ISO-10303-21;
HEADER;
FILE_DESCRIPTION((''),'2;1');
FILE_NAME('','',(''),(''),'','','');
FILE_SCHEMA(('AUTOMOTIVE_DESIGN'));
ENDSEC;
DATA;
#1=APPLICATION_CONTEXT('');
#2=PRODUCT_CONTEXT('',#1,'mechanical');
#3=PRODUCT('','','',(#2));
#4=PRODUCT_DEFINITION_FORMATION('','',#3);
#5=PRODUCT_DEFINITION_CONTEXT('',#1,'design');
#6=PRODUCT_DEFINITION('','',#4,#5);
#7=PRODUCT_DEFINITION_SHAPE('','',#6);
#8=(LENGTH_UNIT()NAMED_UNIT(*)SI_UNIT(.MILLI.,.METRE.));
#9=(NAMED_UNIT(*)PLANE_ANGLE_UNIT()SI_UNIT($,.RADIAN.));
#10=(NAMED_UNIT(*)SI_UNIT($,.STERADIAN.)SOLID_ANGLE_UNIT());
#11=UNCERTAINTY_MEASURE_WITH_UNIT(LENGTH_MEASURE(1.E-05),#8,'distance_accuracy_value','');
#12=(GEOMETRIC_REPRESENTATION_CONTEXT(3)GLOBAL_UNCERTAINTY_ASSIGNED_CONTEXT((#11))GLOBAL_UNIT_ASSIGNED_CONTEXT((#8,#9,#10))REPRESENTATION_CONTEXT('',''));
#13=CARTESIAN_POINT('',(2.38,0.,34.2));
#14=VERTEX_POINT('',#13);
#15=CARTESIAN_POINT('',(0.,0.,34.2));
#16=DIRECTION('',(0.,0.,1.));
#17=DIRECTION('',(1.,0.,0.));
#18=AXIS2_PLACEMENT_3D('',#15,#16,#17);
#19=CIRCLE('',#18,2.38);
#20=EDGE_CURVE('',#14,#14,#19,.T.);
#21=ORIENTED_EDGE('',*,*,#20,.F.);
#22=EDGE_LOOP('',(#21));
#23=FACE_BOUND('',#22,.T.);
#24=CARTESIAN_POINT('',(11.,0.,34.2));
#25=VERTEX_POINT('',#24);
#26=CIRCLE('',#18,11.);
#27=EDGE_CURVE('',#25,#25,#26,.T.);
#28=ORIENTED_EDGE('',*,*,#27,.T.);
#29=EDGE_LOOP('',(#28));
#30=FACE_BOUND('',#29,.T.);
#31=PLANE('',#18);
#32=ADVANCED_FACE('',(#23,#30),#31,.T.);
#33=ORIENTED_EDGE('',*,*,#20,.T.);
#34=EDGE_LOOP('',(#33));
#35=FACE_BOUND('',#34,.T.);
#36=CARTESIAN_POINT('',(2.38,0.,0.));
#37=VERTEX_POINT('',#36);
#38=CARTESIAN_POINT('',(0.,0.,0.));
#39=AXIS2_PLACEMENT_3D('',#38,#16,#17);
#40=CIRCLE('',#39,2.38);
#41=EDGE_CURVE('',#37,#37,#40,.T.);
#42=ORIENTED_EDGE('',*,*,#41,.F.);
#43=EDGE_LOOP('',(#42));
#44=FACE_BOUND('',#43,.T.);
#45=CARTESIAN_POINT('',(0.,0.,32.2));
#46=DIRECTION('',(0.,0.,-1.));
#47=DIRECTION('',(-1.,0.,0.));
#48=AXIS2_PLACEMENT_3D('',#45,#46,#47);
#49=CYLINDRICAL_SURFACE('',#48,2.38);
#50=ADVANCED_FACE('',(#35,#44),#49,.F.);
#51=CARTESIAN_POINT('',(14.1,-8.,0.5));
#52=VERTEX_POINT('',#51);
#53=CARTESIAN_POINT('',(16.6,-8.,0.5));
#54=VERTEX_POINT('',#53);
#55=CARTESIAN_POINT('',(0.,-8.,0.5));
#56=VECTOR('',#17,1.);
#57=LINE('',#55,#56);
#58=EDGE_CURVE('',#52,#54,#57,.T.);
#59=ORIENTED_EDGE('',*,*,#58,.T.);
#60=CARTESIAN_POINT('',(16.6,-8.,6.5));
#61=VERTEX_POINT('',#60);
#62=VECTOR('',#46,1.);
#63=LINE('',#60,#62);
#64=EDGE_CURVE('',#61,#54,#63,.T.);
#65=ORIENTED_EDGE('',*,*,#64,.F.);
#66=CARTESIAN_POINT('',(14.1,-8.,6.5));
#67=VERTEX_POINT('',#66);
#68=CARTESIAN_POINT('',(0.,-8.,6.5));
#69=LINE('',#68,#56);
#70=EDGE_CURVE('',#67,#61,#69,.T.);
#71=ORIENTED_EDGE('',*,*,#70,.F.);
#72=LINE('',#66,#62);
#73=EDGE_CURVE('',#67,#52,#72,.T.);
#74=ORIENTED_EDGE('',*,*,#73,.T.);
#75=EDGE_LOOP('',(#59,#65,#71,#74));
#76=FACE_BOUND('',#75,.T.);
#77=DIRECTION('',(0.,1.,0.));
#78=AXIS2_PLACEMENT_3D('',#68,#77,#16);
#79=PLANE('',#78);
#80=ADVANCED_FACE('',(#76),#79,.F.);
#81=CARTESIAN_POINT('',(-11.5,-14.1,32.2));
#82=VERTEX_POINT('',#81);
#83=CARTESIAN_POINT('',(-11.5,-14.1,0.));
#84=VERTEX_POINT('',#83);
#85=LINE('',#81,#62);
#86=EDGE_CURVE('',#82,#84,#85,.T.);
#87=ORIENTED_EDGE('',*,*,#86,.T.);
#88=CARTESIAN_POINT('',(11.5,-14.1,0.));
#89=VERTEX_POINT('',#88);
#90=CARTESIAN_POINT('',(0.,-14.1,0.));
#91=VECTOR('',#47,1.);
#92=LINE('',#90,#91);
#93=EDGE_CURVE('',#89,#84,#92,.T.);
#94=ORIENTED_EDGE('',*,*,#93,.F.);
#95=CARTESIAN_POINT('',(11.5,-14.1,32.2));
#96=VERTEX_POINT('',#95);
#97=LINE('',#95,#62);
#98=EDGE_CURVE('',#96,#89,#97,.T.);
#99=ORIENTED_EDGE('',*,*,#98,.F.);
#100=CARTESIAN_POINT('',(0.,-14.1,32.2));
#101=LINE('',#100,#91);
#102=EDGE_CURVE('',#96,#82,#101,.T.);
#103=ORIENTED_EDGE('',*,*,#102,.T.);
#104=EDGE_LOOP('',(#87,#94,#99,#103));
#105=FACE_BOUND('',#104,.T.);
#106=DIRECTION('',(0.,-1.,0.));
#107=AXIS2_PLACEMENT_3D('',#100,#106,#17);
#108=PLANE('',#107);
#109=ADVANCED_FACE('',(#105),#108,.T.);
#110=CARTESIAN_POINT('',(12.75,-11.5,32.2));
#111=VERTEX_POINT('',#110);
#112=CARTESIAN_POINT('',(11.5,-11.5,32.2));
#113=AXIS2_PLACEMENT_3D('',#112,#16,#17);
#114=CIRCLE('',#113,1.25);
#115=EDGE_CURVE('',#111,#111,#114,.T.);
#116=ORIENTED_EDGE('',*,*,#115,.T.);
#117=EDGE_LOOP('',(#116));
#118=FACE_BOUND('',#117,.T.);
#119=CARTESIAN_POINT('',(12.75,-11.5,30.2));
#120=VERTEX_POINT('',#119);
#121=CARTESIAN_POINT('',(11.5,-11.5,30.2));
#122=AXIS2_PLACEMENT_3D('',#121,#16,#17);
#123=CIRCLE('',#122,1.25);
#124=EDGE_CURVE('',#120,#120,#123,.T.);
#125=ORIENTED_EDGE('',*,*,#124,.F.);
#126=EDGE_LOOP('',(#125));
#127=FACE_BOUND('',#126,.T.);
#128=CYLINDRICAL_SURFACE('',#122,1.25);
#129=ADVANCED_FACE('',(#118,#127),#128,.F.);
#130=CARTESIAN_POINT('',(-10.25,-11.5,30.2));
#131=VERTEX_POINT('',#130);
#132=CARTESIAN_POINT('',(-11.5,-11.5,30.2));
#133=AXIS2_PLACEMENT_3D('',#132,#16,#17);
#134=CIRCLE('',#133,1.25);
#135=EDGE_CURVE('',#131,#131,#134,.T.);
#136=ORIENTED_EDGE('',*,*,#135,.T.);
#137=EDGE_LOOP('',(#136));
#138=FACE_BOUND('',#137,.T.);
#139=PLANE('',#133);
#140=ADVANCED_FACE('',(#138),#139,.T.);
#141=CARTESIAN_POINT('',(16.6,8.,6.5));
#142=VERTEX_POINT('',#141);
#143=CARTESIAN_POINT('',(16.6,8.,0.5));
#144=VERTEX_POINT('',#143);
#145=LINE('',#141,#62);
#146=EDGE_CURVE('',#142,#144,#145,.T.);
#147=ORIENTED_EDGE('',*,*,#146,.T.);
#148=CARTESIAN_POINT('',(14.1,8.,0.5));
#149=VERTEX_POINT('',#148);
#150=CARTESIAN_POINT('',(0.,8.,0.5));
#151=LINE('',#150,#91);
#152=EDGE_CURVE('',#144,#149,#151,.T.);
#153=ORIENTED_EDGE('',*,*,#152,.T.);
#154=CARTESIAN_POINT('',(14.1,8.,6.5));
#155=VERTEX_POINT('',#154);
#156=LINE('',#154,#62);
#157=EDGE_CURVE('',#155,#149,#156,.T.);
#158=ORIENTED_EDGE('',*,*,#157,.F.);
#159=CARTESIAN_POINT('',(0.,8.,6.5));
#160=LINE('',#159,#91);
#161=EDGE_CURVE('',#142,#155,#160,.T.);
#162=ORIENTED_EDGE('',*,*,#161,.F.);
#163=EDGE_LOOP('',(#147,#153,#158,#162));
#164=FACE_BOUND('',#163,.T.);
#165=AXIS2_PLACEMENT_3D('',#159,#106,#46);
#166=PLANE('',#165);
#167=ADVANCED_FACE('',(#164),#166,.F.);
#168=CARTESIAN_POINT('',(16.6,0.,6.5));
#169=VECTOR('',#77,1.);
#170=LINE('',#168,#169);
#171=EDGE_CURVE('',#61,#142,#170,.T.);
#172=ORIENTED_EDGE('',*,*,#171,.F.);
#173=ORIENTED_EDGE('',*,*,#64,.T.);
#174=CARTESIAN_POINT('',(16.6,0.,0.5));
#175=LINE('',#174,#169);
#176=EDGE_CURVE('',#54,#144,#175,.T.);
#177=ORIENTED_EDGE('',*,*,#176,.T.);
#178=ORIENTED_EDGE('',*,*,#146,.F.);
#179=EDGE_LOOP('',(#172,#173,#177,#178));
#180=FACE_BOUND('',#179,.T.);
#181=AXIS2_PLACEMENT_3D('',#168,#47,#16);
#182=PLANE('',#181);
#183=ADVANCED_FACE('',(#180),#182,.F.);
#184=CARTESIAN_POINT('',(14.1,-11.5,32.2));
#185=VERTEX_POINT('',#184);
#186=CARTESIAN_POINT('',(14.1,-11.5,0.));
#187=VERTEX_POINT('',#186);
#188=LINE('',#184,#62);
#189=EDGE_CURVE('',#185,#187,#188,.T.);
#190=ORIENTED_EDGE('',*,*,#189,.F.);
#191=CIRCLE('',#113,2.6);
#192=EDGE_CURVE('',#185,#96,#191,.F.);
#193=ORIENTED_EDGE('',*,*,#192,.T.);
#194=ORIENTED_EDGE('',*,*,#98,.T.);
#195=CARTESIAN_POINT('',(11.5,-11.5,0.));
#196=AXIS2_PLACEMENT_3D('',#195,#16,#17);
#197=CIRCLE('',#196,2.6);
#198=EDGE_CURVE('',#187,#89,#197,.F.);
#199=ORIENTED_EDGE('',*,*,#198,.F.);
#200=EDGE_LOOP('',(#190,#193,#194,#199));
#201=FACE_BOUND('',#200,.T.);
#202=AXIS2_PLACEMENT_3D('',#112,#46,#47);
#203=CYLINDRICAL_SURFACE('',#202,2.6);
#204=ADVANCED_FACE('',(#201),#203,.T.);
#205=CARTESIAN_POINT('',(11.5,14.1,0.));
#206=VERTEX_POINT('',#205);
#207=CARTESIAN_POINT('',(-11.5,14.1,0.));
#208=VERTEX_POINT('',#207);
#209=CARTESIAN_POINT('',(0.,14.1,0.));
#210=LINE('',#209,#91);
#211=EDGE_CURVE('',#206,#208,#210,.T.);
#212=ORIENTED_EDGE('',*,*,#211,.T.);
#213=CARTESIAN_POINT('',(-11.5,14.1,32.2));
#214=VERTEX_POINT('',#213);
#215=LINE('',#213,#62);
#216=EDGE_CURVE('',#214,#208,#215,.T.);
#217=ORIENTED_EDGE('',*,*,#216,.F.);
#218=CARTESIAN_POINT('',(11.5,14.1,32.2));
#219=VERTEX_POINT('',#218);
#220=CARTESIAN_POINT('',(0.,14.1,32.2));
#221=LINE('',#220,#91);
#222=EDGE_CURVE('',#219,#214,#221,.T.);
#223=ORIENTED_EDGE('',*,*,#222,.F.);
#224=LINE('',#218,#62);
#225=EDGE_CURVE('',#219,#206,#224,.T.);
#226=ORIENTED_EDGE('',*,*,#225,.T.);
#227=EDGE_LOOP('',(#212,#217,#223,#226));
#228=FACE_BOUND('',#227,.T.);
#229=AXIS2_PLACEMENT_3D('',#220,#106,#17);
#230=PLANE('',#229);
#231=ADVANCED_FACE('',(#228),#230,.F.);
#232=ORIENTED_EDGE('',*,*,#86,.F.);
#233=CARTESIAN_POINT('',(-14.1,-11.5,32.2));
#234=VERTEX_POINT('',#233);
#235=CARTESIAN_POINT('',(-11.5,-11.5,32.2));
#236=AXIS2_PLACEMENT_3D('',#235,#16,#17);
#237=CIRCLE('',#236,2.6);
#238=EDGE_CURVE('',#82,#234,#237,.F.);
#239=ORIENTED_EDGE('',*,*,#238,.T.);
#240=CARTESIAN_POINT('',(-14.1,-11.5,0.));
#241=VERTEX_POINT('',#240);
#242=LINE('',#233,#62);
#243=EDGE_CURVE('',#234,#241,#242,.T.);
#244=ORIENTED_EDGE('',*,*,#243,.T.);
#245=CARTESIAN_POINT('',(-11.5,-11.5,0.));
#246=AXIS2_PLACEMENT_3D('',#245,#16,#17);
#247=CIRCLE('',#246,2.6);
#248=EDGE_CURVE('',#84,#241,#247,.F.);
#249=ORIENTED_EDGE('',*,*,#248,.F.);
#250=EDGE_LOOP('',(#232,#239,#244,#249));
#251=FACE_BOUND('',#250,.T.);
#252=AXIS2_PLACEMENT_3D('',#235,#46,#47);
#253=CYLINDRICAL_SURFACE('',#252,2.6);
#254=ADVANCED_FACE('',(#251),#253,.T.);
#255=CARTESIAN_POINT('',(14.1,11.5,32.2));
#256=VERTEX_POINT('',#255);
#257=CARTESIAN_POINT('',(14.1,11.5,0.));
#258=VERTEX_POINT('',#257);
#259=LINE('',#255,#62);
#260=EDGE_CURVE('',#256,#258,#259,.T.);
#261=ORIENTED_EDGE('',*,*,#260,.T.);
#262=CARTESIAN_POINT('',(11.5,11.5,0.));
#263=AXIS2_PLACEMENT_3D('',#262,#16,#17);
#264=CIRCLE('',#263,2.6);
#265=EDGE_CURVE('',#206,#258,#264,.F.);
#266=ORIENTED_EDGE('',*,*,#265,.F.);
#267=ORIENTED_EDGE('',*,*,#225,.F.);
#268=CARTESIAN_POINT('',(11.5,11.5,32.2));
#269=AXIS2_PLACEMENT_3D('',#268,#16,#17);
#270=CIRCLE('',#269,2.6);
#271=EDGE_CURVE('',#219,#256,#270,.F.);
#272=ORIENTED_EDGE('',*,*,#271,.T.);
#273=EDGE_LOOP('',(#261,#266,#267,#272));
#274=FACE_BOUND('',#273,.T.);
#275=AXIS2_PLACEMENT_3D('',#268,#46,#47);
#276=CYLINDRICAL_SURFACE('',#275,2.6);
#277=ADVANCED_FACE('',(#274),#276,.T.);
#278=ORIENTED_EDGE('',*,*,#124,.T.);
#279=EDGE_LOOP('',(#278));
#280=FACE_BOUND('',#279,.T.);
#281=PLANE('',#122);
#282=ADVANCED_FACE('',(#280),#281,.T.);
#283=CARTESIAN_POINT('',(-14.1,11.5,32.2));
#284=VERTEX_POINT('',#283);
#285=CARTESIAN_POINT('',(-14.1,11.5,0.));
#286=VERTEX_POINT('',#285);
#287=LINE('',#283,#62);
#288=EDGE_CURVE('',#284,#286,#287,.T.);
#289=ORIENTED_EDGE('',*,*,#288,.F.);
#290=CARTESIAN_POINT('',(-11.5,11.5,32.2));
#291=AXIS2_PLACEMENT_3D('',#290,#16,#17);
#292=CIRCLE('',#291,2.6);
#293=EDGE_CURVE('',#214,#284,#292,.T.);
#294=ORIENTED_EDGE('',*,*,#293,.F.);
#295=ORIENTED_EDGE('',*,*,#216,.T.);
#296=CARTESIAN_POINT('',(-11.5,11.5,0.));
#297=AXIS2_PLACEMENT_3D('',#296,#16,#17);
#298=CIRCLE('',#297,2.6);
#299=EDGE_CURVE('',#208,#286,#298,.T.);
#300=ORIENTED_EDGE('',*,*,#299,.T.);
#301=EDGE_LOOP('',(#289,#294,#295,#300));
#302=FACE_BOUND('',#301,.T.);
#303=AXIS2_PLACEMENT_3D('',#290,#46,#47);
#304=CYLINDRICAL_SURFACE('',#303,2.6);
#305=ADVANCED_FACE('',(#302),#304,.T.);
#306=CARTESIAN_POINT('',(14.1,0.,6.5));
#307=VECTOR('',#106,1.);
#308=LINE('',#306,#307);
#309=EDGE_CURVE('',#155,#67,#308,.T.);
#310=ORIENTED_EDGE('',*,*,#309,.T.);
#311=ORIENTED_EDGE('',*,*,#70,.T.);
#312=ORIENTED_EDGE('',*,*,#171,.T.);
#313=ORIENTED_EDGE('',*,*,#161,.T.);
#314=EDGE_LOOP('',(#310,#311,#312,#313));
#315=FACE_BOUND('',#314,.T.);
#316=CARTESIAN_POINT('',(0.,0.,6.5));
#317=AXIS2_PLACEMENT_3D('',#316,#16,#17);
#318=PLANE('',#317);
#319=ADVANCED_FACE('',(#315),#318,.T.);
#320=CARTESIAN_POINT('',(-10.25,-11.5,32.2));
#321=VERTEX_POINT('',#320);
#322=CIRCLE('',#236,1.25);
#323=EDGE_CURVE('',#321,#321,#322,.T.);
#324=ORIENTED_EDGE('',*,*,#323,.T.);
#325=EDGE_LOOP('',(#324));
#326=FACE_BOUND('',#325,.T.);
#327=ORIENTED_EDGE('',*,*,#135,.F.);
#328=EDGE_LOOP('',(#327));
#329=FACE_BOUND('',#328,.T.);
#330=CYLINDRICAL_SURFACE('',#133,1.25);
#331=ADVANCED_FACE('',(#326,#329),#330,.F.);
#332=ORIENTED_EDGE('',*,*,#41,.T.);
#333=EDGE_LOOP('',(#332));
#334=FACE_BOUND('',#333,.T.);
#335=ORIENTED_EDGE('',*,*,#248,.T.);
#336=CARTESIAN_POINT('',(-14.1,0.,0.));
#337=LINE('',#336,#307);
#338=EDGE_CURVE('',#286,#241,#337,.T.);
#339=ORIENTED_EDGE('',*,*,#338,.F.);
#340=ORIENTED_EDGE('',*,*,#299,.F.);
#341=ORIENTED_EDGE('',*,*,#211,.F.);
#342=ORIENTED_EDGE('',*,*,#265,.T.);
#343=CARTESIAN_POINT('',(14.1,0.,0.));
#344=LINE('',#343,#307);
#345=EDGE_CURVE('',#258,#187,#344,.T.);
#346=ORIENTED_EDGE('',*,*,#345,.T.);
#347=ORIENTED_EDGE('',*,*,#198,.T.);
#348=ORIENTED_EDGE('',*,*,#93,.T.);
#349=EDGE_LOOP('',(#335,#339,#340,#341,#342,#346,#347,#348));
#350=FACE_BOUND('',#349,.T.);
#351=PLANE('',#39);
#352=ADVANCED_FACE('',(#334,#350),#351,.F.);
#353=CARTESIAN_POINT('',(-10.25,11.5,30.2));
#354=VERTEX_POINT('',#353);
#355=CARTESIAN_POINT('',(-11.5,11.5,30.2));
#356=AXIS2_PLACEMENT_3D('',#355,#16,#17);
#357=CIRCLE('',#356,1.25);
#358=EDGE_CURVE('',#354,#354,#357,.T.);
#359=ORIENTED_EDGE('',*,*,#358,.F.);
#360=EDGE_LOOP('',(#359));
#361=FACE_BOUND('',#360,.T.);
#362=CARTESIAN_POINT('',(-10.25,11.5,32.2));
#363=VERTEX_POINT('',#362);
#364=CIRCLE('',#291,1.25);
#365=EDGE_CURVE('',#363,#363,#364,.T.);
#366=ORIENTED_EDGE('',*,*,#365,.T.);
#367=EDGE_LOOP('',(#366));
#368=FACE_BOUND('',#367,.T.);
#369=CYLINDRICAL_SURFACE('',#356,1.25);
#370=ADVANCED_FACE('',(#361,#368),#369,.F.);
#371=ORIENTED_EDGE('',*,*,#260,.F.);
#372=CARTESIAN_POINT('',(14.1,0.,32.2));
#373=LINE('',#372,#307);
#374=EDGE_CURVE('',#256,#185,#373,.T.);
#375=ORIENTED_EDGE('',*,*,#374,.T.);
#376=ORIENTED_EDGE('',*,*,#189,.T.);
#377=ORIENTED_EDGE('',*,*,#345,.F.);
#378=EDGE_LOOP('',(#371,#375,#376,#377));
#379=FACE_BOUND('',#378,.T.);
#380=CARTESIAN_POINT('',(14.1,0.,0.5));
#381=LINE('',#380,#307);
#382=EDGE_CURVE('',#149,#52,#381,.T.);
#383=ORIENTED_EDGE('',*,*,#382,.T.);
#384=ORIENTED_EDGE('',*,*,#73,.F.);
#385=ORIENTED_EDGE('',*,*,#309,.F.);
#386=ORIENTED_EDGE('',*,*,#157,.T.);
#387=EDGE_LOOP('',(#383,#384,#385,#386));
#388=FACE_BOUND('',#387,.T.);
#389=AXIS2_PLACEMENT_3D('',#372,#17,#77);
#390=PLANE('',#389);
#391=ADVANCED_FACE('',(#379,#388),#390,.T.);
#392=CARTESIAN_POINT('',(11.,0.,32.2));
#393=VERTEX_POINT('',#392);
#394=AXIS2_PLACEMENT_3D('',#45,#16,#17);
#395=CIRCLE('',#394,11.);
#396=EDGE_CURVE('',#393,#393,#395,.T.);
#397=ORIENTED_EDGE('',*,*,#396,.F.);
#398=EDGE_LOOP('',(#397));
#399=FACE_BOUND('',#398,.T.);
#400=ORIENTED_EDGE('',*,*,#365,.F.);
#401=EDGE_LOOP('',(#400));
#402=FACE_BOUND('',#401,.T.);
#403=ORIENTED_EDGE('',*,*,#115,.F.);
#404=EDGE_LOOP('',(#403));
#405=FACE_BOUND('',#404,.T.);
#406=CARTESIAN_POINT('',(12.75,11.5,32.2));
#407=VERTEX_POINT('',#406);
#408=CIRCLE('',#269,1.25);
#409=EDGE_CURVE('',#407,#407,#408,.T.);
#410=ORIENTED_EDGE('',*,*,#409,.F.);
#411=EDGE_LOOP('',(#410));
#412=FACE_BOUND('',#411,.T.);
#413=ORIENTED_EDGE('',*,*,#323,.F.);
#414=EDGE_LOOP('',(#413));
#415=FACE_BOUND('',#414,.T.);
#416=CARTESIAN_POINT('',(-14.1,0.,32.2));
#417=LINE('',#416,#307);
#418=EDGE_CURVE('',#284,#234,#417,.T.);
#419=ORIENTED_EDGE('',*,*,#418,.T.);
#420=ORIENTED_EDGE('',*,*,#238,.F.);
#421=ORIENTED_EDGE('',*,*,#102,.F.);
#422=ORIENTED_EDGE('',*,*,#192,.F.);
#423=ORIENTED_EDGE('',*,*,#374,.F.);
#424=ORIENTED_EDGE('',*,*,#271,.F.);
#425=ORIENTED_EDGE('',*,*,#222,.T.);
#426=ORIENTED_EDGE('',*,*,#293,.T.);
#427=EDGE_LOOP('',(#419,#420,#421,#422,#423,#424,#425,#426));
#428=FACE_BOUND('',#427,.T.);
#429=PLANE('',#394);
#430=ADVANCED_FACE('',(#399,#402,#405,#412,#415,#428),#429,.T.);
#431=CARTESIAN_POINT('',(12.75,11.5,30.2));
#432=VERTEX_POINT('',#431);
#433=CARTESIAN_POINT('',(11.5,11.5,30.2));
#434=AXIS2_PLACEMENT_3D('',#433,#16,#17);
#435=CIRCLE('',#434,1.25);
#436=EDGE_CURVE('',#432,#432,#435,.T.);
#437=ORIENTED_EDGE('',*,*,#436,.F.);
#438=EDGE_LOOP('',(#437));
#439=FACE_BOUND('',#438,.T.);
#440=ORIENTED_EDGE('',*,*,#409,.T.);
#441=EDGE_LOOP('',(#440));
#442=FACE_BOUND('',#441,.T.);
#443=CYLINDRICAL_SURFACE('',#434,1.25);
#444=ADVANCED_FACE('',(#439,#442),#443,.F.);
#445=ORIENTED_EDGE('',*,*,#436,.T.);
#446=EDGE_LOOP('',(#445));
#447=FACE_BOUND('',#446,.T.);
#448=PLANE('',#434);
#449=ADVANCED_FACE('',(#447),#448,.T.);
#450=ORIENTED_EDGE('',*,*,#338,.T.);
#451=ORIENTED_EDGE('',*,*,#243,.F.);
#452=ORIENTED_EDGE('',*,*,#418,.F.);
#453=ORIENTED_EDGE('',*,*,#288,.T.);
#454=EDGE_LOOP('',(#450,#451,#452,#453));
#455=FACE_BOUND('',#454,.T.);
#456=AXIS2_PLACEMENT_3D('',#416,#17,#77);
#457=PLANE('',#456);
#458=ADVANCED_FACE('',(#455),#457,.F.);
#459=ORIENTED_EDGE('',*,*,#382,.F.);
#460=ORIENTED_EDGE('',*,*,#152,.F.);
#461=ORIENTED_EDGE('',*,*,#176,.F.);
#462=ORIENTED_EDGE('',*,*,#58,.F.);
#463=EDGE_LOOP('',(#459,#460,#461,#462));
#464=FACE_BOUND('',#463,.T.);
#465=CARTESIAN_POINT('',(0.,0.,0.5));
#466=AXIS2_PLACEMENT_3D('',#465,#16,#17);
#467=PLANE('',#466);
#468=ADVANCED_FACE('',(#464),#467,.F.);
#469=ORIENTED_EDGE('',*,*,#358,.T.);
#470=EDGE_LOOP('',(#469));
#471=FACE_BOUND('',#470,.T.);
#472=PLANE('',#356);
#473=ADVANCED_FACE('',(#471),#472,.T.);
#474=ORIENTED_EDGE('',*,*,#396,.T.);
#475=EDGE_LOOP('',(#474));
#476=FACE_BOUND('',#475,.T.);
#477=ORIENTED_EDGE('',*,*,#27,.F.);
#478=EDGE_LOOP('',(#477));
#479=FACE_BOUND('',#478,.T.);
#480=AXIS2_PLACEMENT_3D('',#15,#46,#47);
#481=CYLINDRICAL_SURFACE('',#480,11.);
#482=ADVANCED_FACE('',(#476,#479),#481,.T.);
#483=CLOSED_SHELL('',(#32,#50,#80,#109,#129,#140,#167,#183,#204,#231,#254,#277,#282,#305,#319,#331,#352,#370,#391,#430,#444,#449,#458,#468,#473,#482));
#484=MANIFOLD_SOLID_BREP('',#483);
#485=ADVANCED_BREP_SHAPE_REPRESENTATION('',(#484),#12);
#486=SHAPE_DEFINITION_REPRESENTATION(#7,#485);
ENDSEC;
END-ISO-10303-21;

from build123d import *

# Parameters (mm, degrees)
SKETCH1_R           = 2.38
BOSS_EXTRUDE1_DEPTH = 32.2
BOSS_EXTRUDE2_START = 0.5
SKETCH1_3_W         = 2.5
SKETCH1_3_H         = 16
BOSS_EXTRUDE2_DEPTH = 6
CUT_EXTRUDE1_START  = 32.2
SKETCH1_4_R         = 1.25
CUT_EXTRUDE1_DEPTH  = 2
BOSS_EXTRUDE3_START = 32.2
SKETCH1_5_R         = 11
SKETCH1_5_R_2       = 2.38
BOSS_EXTRUDE3_DEPTH = 2


with BuildPart() as part:
    # Sketch1 → Boss-Extrude1 (new body)
    with BuildSketch(Plane.XY):
        with BuildLine():
            Line((11.5, 14.1), (-11.5, 14.1))
            ThreePointArc((-11.5, 14.1), (-13.338477631, 13.338477631), (-14.1, 11.5))
            Line((-14.1, 11.5), (-14.1, -11.5))
            ThreePointArc((-14.1, -11.5), (-13.338477631, -13.338477631), (-11.5, -14.1))
            Line((-11.5, -14.1), (11.5, -14.1))
            ThreePointArc((11.5, -14.1), (13.338477631, -13.338477631), (14.1, -11.5))
            Line((14.1, -11.5), (14.1, 11.5))
            ThreePointArc((14.1, 11.5), (13.338477631, 13.338477631), (11.5, 14.1))
        make_face()
        Circle(SKETCH1_R, mode=Mode.SUBTRACT)
    extrude(amount=BOSS_EXTRUDE1_DEPTH)

    # Sketch1<3> → Boss-Extrude2 (add)
    with BuildSketch(Plane.XY.offset(BOSS_EXTRUDE2_START)):
        with Locations((15.35, 0)):
            Rectangle(SKETCH1_3_W, SKETCH1_3_H)
    extrude(amount=BOSS_EXTRUDE2_DEPTH)

    # Sketch1<4> → Cut-Extrude1 (cut)
    with BuildSketch(Plane.XY.offset(CUT_EXTRUDE1_START)):
        with Locations((-11.5, 11.5)):
            Circle(SKETCH1_4_R)
        with Locations((11.5, 11.5)):
            Circle(SKETCH1_4_R)
        with Locations((11.5, -11.5)):
            Circle(SKETCH1_4_R)
        with Locations((-11.5, -11.5)):
            Circle(SKETCH1_4_R)
    extrude(amount=-CUT_EXTRUDE1_DEPTH, mode=Mode.SUBTRACT)

    # Sketch1<5> → Boss-Extrude3 (add)
    with BuildSketch(Plane.XY.offset(BOSS_EXTRUDE3_START)):
        Circle(SKETCH1_5_R)
        Circle(SKETCH1_5_R_2, mode=Mode.SUBTRACT)
    extrude(amount=BOSS_EXTRUDE3_DEPTH)


solid = part.part
